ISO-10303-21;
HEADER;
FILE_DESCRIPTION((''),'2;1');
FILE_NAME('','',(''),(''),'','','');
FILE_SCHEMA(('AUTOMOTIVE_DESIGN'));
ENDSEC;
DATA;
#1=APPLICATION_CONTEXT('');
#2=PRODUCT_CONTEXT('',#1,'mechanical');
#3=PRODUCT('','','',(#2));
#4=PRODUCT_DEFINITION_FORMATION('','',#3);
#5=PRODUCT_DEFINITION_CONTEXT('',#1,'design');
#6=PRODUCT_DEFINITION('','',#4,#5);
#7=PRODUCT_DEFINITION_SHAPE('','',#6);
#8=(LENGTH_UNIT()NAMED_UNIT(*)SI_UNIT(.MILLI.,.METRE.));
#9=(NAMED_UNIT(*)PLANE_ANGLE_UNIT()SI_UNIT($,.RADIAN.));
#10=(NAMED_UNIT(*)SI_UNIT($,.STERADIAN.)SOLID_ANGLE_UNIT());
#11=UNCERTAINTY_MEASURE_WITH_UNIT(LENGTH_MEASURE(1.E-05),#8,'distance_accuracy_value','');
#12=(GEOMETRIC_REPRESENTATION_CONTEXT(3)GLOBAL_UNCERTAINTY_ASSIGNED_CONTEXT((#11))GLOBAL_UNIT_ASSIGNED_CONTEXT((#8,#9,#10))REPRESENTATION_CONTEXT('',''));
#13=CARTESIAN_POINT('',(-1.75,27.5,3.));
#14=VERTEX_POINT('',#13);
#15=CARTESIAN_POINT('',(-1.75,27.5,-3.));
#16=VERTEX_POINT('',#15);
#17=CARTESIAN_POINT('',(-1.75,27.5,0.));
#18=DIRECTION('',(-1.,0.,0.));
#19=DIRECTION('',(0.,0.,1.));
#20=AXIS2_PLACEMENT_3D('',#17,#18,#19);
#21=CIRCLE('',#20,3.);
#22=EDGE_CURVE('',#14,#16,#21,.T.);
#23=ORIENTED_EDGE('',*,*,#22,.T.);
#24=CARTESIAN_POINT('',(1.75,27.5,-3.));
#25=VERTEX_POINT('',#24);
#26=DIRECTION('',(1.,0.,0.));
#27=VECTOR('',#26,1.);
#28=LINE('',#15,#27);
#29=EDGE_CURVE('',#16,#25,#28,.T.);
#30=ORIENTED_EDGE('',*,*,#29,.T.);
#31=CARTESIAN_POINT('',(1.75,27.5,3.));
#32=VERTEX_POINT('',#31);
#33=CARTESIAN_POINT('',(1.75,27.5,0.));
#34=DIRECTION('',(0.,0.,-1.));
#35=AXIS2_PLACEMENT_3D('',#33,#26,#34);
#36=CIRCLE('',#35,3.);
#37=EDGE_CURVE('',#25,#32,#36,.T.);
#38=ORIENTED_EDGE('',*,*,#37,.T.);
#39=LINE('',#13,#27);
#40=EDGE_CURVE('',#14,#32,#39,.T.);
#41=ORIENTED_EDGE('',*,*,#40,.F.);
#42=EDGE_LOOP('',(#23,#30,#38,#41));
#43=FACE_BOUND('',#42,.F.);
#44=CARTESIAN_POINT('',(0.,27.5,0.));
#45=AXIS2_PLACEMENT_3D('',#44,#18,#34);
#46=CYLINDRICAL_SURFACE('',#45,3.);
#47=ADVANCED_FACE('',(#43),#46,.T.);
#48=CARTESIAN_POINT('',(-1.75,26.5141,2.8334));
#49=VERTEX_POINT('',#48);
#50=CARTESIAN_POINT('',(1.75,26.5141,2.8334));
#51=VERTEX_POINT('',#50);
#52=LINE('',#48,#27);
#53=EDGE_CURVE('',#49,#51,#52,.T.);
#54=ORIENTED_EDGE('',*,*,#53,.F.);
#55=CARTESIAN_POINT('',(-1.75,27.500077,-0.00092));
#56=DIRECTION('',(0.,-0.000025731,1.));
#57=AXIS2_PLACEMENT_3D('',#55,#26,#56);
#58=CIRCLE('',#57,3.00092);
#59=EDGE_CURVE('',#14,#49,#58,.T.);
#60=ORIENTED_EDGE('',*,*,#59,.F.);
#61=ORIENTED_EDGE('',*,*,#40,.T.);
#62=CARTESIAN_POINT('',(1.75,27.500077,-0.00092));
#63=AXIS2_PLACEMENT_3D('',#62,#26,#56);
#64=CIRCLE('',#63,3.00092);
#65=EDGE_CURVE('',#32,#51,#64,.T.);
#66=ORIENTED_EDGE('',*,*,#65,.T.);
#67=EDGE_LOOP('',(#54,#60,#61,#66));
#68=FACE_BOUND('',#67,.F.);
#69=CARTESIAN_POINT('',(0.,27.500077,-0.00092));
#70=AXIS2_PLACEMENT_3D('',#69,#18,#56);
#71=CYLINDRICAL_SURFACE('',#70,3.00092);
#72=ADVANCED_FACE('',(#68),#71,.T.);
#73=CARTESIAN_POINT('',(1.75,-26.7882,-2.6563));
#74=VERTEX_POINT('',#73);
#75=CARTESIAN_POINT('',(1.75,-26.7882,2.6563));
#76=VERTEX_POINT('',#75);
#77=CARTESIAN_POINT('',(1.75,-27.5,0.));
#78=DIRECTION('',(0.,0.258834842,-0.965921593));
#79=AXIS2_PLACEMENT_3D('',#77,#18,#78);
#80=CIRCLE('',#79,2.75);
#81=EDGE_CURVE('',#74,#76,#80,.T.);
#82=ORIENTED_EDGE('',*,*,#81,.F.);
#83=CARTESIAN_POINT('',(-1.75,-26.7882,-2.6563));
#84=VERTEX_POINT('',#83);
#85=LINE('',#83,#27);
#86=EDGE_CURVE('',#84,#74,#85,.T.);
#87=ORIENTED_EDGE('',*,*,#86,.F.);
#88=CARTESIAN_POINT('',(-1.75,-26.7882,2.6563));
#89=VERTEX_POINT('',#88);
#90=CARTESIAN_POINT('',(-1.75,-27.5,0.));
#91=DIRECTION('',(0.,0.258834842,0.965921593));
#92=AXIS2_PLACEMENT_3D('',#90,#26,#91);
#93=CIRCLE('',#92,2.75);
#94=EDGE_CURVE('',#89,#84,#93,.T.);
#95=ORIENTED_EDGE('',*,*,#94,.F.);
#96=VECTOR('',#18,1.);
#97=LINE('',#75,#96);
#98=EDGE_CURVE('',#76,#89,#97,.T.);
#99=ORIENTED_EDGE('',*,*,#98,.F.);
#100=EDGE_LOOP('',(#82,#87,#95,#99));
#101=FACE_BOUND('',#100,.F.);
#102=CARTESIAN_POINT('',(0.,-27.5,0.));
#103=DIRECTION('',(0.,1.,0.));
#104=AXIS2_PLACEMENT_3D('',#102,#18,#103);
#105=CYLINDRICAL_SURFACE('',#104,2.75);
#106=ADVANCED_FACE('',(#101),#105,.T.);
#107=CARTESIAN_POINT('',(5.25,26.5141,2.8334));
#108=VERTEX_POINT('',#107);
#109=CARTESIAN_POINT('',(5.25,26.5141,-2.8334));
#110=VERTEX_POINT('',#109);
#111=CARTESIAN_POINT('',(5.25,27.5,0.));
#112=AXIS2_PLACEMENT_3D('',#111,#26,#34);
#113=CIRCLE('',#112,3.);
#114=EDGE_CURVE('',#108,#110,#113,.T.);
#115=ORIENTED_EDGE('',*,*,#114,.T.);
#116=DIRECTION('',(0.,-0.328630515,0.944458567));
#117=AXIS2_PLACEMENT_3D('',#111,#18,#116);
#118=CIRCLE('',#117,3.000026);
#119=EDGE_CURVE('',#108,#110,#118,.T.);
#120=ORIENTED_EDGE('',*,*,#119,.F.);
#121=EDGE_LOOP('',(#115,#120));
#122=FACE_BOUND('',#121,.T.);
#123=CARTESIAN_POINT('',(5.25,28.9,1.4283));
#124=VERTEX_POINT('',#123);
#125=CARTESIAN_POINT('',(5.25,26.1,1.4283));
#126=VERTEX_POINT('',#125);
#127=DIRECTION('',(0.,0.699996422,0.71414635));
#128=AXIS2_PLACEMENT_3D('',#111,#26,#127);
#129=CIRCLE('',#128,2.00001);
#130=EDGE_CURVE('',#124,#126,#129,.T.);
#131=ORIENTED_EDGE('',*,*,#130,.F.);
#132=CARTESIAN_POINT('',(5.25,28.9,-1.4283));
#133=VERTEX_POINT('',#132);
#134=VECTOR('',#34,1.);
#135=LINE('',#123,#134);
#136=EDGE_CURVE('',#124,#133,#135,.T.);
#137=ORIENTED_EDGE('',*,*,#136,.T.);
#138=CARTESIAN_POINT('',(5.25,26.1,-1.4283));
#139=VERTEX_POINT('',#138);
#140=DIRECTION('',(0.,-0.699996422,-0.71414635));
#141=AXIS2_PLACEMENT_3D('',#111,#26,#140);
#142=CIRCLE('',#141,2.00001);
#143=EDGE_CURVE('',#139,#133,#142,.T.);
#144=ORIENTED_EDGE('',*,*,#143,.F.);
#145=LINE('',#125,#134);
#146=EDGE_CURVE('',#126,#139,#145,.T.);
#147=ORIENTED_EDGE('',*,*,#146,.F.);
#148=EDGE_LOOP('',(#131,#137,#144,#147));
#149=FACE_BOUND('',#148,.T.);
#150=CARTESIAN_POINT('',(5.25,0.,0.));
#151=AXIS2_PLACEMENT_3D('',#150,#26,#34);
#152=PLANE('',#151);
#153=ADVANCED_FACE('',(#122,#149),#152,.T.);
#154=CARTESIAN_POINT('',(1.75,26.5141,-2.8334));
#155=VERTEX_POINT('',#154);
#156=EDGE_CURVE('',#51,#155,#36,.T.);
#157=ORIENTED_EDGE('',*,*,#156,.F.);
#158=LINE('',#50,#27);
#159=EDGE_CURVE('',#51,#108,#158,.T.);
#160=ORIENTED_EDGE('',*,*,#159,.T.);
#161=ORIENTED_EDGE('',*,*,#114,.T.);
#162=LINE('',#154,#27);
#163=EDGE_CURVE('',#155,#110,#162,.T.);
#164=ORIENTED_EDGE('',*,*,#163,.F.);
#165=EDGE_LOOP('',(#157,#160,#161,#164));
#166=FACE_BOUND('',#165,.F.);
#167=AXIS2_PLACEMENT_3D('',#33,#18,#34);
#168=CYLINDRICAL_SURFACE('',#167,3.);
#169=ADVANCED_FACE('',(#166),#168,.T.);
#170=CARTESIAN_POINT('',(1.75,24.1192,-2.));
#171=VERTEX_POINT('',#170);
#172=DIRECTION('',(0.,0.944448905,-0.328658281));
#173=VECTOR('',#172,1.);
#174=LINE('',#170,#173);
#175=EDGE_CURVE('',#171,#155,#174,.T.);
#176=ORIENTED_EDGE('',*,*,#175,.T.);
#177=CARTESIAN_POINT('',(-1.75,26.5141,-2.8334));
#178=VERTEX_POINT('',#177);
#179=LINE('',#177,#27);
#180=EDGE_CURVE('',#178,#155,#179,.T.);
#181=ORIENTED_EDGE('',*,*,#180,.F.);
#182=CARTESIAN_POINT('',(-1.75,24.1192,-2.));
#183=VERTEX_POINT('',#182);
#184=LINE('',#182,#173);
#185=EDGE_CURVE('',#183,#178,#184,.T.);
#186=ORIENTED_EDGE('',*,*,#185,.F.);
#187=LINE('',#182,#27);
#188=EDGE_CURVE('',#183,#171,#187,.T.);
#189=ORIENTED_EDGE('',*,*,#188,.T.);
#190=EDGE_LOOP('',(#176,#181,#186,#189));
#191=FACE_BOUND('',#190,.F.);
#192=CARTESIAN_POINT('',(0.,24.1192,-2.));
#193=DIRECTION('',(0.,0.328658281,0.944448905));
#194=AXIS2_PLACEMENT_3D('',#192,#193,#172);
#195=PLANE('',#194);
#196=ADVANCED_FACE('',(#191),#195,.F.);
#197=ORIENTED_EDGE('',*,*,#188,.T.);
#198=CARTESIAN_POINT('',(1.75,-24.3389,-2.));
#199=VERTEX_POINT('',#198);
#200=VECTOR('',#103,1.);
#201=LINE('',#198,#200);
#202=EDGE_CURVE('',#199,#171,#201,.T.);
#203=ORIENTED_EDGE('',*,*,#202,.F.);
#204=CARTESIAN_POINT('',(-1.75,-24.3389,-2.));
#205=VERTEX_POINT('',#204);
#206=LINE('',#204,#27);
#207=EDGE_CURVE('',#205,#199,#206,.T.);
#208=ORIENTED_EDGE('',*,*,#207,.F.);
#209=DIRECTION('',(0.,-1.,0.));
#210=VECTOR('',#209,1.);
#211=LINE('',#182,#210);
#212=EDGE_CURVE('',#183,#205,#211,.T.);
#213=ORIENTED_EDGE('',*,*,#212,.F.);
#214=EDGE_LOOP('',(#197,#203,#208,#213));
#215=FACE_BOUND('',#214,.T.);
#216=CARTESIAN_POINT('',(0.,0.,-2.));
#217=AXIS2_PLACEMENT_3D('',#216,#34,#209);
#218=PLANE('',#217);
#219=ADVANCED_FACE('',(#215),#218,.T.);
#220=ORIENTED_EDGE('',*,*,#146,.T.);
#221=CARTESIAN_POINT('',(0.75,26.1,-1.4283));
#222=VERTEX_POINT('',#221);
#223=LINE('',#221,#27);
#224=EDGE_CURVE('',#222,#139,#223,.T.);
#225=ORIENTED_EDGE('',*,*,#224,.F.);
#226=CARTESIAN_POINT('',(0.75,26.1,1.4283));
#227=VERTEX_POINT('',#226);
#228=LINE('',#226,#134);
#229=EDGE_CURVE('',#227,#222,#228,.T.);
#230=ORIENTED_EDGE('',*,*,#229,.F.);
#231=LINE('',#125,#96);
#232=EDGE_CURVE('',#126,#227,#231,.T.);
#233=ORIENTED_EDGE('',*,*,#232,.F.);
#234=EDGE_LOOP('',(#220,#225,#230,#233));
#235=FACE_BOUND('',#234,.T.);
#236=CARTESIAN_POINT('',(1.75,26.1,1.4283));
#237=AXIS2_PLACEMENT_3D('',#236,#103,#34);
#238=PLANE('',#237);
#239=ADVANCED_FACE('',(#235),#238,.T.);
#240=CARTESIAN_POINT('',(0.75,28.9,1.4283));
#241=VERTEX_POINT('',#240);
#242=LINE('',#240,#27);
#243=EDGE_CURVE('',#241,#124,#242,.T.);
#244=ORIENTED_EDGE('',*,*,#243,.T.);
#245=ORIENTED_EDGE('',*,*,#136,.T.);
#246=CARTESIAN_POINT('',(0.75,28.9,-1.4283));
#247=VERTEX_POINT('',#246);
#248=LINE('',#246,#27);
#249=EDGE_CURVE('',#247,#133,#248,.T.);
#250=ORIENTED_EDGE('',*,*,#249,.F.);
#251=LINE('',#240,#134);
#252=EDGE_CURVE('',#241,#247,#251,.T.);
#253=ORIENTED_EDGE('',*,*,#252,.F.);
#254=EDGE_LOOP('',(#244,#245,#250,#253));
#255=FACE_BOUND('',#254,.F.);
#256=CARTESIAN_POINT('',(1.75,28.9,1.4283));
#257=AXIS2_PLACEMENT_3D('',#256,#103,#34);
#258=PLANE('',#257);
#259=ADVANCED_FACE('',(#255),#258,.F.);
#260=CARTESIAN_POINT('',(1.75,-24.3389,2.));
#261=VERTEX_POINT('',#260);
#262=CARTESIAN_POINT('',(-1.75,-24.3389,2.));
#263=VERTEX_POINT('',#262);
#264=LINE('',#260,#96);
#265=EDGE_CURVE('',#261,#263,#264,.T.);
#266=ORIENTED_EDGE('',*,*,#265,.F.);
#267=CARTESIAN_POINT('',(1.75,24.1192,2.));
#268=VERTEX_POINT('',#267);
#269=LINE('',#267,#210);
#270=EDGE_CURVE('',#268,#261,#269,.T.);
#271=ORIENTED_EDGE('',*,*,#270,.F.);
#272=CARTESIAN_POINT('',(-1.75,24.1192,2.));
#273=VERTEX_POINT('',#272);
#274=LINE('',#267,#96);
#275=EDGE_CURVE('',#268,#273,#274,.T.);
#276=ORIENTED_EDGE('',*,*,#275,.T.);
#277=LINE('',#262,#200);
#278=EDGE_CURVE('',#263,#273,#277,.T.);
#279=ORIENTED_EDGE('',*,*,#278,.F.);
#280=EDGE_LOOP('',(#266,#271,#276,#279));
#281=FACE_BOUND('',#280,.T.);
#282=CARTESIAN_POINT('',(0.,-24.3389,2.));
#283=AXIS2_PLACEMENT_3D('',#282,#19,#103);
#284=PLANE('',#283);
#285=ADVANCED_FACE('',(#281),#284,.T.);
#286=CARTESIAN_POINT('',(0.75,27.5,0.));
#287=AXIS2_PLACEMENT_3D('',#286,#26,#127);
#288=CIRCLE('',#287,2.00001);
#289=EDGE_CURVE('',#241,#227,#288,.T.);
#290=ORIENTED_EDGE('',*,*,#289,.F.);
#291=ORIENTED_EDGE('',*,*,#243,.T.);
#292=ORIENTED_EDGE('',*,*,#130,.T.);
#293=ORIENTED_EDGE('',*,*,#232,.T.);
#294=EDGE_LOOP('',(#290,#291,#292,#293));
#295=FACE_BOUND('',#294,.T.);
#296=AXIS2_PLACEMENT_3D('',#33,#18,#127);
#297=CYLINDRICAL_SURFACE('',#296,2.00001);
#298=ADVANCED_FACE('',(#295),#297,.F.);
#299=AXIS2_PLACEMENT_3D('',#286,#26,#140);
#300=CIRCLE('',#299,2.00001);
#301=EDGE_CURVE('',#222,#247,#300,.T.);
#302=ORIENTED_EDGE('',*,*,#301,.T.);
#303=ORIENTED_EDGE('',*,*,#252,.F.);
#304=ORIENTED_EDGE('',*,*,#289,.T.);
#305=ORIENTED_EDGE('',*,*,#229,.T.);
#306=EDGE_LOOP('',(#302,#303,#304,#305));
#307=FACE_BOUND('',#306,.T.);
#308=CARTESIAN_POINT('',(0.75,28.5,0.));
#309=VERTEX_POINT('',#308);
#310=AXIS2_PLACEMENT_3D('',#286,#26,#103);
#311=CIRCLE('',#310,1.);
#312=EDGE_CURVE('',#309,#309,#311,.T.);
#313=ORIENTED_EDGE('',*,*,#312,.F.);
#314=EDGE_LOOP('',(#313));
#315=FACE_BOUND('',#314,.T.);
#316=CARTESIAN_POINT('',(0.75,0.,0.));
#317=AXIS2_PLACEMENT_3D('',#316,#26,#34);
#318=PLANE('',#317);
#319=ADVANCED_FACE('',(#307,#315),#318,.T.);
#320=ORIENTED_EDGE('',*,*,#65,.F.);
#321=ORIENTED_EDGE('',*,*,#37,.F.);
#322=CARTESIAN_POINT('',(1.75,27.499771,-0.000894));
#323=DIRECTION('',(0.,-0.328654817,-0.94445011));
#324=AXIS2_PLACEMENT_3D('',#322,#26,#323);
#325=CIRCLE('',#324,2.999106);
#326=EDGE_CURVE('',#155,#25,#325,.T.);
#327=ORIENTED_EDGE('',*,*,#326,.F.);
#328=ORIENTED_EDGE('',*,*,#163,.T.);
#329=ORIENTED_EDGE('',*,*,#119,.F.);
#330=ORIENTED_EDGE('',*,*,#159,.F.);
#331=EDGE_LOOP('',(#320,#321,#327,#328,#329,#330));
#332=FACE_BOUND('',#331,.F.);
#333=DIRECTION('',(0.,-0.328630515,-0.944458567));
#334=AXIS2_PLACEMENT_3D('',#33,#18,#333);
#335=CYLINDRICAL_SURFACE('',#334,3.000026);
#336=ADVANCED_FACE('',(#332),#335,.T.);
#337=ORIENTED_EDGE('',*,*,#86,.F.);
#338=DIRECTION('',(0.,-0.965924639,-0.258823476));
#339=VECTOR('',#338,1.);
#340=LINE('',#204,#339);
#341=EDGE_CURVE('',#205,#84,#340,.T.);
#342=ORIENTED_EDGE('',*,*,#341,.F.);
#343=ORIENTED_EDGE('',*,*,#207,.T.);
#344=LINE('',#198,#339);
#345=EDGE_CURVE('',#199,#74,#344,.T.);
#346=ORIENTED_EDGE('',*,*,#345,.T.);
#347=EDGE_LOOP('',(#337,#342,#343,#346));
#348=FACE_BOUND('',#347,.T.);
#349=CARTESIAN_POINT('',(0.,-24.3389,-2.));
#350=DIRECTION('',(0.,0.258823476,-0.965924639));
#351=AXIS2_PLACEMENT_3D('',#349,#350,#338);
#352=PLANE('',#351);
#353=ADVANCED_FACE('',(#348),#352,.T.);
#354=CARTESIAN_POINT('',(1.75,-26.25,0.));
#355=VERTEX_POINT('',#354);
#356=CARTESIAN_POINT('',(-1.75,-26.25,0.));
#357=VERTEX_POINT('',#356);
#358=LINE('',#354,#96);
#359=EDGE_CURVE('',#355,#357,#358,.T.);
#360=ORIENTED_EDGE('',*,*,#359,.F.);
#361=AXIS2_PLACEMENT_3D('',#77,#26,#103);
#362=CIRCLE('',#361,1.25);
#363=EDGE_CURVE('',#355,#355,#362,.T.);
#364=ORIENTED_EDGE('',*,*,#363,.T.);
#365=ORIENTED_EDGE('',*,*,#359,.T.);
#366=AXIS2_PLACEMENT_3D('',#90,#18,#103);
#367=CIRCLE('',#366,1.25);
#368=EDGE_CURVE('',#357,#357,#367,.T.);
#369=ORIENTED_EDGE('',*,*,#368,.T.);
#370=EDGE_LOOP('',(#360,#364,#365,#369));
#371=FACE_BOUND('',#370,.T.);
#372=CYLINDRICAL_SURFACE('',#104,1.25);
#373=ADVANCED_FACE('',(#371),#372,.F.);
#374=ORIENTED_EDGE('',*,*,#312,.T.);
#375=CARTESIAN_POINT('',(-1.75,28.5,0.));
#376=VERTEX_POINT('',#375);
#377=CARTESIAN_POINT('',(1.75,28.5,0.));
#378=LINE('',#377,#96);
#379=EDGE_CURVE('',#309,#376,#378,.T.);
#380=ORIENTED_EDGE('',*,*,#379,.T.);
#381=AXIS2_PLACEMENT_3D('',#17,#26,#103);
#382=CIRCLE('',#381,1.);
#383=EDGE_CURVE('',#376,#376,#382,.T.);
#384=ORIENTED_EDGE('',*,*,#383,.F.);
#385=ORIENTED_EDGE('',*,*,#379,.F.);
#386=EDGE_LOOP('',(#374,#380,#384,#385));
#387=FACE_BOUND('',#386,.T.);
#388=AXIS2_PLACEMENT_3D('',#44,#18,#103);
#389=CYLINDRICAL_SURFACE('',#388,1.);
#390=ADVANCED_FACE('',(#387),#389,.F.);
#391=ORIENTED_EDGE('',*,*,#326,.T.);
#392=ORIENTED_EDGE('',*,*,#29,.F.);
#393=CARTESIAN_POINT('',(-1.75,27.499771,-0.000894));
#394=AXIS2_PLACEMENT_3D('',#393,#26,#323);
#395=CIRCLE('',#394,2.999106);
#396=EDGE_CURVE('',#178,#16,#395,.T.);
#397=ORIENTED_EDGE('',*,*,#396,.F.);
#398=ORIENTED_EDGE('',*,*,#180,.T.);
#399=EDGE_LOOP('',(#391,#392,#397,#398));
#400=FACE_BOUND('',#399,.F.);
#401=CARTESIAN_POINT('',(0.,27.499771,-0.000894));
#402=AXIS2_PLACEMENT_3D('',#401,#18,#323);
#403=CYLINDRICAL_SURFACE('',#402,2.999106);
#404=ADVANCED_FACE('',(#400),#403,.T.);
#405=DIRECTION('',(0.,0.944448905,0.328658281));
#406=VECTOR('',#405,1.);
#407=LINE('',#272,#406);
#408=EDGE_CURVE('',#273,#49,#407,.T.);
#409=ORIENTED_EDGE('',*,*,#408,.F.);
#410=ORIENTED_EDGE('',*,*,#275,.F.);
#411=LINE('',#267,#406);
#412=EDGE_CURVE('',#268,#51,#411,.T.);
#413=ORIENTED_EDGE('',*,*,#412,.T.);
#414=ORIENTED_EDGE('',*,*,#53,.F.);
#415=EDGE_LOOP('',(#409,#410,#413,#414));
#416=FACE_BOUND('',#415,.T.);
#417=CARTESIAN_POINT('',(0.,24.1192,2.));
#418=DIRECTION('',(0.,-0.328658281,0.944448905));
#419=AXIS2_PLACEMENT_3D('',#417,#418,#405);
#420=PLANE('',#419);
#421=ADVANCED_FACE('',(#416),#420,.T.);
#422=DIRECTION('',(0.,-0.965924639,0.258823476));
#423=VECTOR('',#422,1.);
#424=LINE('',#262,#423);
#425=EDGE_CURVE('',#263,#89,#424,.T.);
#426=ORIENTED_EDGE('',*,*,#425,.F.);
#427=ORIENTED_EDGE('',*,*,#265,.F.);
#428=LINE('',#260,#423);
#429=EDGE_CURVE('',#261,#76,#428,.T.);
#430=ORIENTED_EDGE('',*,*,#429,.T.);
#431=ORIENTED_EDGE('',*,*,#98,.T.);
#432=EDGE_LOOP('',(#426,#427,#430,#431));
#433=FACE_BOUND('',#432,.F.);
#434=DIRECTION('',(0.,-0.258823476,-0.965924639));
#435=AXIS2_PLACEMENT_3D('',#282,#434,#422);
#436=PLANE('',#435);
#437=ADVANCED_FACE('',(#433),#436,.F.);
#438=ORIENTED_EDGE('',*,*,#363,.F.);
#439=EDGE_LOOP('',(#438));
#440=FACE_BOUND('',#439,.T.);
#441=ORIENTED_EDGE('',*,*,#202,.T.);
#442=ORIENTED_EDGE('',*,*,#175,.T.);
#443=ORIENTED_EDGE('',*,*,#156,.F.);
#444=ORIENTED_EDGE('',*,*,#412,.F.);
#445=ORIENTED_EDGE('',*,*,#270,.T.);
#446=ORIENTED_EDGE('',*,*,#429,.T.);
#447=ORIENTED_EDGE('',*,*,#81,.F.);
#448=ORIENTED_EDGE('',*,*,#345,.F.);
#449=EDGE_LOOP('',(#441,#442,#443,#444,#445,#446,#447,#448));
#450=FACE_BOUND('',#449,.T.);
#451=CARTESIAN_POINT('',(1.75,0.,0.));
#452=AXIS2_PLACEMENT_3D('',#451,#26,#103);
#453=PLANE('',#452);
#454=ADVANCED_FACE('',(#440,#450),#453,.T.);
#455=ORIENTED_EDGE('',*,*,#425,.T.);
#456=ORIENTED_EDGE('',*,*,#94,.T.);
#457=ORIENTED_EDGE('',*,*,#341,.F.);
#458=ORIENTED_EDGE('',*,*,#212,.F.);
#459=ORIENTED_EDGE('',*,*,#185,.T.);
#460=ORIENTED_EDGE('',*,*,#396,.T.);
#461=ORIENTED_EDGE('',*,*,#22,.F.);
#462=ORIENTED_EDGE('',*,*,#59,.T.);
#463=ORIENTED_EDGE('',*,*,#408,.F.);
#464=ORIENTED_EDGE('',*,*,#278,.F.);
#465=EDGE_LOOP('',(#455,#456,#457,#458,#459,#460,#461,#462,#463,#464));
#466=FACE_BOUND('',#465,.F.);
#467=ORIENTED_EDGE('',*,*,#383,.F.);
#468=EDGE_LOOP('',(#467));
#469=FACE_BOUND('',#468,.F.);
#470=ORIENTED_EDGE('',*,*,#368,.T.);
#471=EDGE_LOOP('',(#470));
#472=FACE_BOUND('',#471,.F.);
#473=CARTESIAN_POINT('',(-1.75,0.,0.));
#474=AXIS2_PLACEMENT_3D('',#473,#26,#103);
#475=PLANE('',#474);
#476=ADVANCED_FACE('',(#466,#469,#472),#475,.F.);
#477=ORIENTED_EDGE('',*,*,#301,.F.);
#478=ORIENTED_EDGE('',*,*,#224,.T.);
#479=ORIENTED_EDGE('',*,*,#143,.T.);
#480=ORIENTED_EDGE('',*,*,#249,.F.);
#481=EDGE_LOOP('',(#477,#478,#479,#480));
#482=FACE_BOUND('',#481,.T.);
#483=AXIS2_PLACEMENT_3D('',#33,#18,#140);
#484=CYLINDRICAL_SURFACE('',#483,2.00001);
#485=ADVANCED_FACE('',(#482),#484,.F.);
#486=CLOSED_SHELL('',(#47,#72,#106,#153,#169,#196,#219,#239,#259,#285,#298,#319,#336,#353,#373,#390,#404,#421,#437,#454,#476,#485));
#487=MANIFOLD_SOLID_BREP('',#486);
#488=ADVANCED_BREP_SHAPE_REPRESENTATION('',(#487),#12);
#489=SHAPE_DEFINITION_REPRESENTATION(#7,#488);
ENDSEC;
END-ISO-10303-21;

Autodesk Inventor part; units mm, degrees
ref_plane "YZ Plane" through (0, 0, 0) normal (1, 0, 0) x (0, 1, 0)
ref_plane "XZ Plane" through (0, 0, 0) normal (0, 1, 0) x (-1, 0, 0)
ref_plane "XY Plane" through (0, 0, 0) normal (0, 0, 1) x (1, 0, 0)
sketch "Sketch1" plane through (0, 0, 0) normal (1, 0, 0) x (0, 1, 0)
  line L0 (-42.7, 0) -> (42.7, 0) projected
  line L1 (0, -4.2) -> (0, 4.2) projected
  circle A0 centre (-27.5, 0) radius 1.25
  circle A1 centre (-27.5, 0) radius 3
  circle A2 centre (27.5, 0) radius 3 construction
  line L2 (-27.5, 3) -> (27.5, 3)
  line L3 (-27.5, -3) -> (27.5, -3)
  line L4 (27.5, 3) -> (27.5, -3) construction
  line L5 (27.5, 2) -> (27.5, -2) construction
  arc A3 (27.5, -3) -> (27.5, 3) centre (27.5, 0) ccw
  circle A4 centre (-27.5, 0) radius 2.2678 construction
  circle A5 centre (27.5, 0) radius 1
  point P0 (0, 0)
  dimension "d4" = 6
  dimension "d7" = 55
  dimension "d8" = 2.5
  dimension "d10" = 0
  dimension "d30" = 2
extrude "ext_main" add sketch "Sketch1" along normal mid plane 3.5 contours A0 L0 A1 | L0 A1 A0 | A1 L2 L1 L0 | L0 L1 L3 A1 | L1 L2 A3 L0 A5 | L0 A5 A3 L3 L1
sketch "Sketch3" plane through (0, 0, 0) normal (1, 0, 0) x (0, 1, 0)
  arc A0 (-27.5, 3) -> (-27.5, -3) centre (-27.5, 0) ccw projected
  circle A1 centre (-27.5, 0) radius 1.25 projected
  arc A2 (27.5, -3) -> (27.5, 3) centre (27.5, 0) ccw projected
  circle A3 centre (-27.5, 0) radius 3 construction
  circle A4 centre (27.5, 0) radius 3 construction
  line L0 (-25.2639, 2) -> (25.2639, 2) construction
  line L1 (-42.7, 0) -> (42.7, 0) projected
  line L2 (0, -4.2579) -> (0, 4.2579) projected
  line L3 (27.5, 3) -> (-27.5, 3) projected
  line L4 (24.1192, 2) -> (26.5141, 2.8334)
  arc A5 (27.5, 3) -> (26.5141, 2.8334) centre (27.5, 0) ccw
  line L5 (-24.3389, 2) -> (24.1192, 2)
  circle A6 centre (-27.5, 0) radius 2.75
  line L6 (-24.3389, 2) -> (-26.7882, 2.6563)
  arc A7 (26.5141, -2.8334) -> (27.5, -3) centre (27.5, 0) ccw
  line L7 (24.1192, -2) -> (-25.2639, -2) construction
  line L8 (-24.3389, -2) -> (-26.7882, -2.6563)
  line L9 (24.1192, -2) -> (-24.3389, -2)
  line L10 (24.1192, -2) -> (26.5141, -2.8334)
  point P0 (0, 0)
  dimension "d16" = 1
  dimension "d21" = 5.5
  dimension "d22" = 15
extrude "ext_cutaway" cut sketch "Sketch3" along normal through all both and the other way through all contours A6 L1 A1 | L1 A1 A6 | L5 L4 A5 A2 L1 L2 | L2 L1 A6 L6 L5 | A6 L1 L2 L9 L8 | L1 A2 A7 L10 L9 L2 keep common part
sketch "Sketch4" plane through (1.75, 0, 0) normal (1, 0, 0) x (0, 0, -1)
  arc A0 (2.8334, 26.5141) -> (-2.8334, 26.5141) centre (0, 27.5) ccw projected
  circle A1 centre (0, 27.5) radius 1 projected
  circle A2 centre (0, 27.5) radius 3
  line L0 (-4.2, 0) -> (4.2, 0) projected
  line L1 (-3, 27.5) -> (3, 27.5) construction
  circle A3 centre (0, 27.5) radius 2 construction
  arc A4 (-1.4283, 28.9) -> (-1.4283, 26.1) centre (0, 27.5) ccw
  arc A5 (1.4283, 26.1) -> (1.4283, 28.9) centre (0, 27.5) ccw
  line L2 (-1.4283, 28.9) -> (1.4283, 28.9)
  line L3 (-1.4283, 26.1) -> (1.4283, 26.1)
  point P0 (0, 0)
  dimension "d23" = 4
  dimension "d25" = 2.8
extrude "ext_potshaft" add sketch "Sketch4" along normal blind 3.5 contours A2 A0
extrude "ext_cut_potshaft" cut sketch "Sketch4" against normal blind 1 contours L2 A5 L3 A4
equation "\"d8\" = screw_m2_bore_loose"
equation "\"d30\" = screw_m2_bore_selfthreading"
equation "\"d21\" = general_bore_smallersupport_diameter"
equation "\"screw_m2_bore_loose\" = 2.5"
equation "\"screw_m2_bore_selfthreading\" = 2"
equation "\"general_bore_smallersupport_diameter\" = 5.5"
properties part number "empty"
